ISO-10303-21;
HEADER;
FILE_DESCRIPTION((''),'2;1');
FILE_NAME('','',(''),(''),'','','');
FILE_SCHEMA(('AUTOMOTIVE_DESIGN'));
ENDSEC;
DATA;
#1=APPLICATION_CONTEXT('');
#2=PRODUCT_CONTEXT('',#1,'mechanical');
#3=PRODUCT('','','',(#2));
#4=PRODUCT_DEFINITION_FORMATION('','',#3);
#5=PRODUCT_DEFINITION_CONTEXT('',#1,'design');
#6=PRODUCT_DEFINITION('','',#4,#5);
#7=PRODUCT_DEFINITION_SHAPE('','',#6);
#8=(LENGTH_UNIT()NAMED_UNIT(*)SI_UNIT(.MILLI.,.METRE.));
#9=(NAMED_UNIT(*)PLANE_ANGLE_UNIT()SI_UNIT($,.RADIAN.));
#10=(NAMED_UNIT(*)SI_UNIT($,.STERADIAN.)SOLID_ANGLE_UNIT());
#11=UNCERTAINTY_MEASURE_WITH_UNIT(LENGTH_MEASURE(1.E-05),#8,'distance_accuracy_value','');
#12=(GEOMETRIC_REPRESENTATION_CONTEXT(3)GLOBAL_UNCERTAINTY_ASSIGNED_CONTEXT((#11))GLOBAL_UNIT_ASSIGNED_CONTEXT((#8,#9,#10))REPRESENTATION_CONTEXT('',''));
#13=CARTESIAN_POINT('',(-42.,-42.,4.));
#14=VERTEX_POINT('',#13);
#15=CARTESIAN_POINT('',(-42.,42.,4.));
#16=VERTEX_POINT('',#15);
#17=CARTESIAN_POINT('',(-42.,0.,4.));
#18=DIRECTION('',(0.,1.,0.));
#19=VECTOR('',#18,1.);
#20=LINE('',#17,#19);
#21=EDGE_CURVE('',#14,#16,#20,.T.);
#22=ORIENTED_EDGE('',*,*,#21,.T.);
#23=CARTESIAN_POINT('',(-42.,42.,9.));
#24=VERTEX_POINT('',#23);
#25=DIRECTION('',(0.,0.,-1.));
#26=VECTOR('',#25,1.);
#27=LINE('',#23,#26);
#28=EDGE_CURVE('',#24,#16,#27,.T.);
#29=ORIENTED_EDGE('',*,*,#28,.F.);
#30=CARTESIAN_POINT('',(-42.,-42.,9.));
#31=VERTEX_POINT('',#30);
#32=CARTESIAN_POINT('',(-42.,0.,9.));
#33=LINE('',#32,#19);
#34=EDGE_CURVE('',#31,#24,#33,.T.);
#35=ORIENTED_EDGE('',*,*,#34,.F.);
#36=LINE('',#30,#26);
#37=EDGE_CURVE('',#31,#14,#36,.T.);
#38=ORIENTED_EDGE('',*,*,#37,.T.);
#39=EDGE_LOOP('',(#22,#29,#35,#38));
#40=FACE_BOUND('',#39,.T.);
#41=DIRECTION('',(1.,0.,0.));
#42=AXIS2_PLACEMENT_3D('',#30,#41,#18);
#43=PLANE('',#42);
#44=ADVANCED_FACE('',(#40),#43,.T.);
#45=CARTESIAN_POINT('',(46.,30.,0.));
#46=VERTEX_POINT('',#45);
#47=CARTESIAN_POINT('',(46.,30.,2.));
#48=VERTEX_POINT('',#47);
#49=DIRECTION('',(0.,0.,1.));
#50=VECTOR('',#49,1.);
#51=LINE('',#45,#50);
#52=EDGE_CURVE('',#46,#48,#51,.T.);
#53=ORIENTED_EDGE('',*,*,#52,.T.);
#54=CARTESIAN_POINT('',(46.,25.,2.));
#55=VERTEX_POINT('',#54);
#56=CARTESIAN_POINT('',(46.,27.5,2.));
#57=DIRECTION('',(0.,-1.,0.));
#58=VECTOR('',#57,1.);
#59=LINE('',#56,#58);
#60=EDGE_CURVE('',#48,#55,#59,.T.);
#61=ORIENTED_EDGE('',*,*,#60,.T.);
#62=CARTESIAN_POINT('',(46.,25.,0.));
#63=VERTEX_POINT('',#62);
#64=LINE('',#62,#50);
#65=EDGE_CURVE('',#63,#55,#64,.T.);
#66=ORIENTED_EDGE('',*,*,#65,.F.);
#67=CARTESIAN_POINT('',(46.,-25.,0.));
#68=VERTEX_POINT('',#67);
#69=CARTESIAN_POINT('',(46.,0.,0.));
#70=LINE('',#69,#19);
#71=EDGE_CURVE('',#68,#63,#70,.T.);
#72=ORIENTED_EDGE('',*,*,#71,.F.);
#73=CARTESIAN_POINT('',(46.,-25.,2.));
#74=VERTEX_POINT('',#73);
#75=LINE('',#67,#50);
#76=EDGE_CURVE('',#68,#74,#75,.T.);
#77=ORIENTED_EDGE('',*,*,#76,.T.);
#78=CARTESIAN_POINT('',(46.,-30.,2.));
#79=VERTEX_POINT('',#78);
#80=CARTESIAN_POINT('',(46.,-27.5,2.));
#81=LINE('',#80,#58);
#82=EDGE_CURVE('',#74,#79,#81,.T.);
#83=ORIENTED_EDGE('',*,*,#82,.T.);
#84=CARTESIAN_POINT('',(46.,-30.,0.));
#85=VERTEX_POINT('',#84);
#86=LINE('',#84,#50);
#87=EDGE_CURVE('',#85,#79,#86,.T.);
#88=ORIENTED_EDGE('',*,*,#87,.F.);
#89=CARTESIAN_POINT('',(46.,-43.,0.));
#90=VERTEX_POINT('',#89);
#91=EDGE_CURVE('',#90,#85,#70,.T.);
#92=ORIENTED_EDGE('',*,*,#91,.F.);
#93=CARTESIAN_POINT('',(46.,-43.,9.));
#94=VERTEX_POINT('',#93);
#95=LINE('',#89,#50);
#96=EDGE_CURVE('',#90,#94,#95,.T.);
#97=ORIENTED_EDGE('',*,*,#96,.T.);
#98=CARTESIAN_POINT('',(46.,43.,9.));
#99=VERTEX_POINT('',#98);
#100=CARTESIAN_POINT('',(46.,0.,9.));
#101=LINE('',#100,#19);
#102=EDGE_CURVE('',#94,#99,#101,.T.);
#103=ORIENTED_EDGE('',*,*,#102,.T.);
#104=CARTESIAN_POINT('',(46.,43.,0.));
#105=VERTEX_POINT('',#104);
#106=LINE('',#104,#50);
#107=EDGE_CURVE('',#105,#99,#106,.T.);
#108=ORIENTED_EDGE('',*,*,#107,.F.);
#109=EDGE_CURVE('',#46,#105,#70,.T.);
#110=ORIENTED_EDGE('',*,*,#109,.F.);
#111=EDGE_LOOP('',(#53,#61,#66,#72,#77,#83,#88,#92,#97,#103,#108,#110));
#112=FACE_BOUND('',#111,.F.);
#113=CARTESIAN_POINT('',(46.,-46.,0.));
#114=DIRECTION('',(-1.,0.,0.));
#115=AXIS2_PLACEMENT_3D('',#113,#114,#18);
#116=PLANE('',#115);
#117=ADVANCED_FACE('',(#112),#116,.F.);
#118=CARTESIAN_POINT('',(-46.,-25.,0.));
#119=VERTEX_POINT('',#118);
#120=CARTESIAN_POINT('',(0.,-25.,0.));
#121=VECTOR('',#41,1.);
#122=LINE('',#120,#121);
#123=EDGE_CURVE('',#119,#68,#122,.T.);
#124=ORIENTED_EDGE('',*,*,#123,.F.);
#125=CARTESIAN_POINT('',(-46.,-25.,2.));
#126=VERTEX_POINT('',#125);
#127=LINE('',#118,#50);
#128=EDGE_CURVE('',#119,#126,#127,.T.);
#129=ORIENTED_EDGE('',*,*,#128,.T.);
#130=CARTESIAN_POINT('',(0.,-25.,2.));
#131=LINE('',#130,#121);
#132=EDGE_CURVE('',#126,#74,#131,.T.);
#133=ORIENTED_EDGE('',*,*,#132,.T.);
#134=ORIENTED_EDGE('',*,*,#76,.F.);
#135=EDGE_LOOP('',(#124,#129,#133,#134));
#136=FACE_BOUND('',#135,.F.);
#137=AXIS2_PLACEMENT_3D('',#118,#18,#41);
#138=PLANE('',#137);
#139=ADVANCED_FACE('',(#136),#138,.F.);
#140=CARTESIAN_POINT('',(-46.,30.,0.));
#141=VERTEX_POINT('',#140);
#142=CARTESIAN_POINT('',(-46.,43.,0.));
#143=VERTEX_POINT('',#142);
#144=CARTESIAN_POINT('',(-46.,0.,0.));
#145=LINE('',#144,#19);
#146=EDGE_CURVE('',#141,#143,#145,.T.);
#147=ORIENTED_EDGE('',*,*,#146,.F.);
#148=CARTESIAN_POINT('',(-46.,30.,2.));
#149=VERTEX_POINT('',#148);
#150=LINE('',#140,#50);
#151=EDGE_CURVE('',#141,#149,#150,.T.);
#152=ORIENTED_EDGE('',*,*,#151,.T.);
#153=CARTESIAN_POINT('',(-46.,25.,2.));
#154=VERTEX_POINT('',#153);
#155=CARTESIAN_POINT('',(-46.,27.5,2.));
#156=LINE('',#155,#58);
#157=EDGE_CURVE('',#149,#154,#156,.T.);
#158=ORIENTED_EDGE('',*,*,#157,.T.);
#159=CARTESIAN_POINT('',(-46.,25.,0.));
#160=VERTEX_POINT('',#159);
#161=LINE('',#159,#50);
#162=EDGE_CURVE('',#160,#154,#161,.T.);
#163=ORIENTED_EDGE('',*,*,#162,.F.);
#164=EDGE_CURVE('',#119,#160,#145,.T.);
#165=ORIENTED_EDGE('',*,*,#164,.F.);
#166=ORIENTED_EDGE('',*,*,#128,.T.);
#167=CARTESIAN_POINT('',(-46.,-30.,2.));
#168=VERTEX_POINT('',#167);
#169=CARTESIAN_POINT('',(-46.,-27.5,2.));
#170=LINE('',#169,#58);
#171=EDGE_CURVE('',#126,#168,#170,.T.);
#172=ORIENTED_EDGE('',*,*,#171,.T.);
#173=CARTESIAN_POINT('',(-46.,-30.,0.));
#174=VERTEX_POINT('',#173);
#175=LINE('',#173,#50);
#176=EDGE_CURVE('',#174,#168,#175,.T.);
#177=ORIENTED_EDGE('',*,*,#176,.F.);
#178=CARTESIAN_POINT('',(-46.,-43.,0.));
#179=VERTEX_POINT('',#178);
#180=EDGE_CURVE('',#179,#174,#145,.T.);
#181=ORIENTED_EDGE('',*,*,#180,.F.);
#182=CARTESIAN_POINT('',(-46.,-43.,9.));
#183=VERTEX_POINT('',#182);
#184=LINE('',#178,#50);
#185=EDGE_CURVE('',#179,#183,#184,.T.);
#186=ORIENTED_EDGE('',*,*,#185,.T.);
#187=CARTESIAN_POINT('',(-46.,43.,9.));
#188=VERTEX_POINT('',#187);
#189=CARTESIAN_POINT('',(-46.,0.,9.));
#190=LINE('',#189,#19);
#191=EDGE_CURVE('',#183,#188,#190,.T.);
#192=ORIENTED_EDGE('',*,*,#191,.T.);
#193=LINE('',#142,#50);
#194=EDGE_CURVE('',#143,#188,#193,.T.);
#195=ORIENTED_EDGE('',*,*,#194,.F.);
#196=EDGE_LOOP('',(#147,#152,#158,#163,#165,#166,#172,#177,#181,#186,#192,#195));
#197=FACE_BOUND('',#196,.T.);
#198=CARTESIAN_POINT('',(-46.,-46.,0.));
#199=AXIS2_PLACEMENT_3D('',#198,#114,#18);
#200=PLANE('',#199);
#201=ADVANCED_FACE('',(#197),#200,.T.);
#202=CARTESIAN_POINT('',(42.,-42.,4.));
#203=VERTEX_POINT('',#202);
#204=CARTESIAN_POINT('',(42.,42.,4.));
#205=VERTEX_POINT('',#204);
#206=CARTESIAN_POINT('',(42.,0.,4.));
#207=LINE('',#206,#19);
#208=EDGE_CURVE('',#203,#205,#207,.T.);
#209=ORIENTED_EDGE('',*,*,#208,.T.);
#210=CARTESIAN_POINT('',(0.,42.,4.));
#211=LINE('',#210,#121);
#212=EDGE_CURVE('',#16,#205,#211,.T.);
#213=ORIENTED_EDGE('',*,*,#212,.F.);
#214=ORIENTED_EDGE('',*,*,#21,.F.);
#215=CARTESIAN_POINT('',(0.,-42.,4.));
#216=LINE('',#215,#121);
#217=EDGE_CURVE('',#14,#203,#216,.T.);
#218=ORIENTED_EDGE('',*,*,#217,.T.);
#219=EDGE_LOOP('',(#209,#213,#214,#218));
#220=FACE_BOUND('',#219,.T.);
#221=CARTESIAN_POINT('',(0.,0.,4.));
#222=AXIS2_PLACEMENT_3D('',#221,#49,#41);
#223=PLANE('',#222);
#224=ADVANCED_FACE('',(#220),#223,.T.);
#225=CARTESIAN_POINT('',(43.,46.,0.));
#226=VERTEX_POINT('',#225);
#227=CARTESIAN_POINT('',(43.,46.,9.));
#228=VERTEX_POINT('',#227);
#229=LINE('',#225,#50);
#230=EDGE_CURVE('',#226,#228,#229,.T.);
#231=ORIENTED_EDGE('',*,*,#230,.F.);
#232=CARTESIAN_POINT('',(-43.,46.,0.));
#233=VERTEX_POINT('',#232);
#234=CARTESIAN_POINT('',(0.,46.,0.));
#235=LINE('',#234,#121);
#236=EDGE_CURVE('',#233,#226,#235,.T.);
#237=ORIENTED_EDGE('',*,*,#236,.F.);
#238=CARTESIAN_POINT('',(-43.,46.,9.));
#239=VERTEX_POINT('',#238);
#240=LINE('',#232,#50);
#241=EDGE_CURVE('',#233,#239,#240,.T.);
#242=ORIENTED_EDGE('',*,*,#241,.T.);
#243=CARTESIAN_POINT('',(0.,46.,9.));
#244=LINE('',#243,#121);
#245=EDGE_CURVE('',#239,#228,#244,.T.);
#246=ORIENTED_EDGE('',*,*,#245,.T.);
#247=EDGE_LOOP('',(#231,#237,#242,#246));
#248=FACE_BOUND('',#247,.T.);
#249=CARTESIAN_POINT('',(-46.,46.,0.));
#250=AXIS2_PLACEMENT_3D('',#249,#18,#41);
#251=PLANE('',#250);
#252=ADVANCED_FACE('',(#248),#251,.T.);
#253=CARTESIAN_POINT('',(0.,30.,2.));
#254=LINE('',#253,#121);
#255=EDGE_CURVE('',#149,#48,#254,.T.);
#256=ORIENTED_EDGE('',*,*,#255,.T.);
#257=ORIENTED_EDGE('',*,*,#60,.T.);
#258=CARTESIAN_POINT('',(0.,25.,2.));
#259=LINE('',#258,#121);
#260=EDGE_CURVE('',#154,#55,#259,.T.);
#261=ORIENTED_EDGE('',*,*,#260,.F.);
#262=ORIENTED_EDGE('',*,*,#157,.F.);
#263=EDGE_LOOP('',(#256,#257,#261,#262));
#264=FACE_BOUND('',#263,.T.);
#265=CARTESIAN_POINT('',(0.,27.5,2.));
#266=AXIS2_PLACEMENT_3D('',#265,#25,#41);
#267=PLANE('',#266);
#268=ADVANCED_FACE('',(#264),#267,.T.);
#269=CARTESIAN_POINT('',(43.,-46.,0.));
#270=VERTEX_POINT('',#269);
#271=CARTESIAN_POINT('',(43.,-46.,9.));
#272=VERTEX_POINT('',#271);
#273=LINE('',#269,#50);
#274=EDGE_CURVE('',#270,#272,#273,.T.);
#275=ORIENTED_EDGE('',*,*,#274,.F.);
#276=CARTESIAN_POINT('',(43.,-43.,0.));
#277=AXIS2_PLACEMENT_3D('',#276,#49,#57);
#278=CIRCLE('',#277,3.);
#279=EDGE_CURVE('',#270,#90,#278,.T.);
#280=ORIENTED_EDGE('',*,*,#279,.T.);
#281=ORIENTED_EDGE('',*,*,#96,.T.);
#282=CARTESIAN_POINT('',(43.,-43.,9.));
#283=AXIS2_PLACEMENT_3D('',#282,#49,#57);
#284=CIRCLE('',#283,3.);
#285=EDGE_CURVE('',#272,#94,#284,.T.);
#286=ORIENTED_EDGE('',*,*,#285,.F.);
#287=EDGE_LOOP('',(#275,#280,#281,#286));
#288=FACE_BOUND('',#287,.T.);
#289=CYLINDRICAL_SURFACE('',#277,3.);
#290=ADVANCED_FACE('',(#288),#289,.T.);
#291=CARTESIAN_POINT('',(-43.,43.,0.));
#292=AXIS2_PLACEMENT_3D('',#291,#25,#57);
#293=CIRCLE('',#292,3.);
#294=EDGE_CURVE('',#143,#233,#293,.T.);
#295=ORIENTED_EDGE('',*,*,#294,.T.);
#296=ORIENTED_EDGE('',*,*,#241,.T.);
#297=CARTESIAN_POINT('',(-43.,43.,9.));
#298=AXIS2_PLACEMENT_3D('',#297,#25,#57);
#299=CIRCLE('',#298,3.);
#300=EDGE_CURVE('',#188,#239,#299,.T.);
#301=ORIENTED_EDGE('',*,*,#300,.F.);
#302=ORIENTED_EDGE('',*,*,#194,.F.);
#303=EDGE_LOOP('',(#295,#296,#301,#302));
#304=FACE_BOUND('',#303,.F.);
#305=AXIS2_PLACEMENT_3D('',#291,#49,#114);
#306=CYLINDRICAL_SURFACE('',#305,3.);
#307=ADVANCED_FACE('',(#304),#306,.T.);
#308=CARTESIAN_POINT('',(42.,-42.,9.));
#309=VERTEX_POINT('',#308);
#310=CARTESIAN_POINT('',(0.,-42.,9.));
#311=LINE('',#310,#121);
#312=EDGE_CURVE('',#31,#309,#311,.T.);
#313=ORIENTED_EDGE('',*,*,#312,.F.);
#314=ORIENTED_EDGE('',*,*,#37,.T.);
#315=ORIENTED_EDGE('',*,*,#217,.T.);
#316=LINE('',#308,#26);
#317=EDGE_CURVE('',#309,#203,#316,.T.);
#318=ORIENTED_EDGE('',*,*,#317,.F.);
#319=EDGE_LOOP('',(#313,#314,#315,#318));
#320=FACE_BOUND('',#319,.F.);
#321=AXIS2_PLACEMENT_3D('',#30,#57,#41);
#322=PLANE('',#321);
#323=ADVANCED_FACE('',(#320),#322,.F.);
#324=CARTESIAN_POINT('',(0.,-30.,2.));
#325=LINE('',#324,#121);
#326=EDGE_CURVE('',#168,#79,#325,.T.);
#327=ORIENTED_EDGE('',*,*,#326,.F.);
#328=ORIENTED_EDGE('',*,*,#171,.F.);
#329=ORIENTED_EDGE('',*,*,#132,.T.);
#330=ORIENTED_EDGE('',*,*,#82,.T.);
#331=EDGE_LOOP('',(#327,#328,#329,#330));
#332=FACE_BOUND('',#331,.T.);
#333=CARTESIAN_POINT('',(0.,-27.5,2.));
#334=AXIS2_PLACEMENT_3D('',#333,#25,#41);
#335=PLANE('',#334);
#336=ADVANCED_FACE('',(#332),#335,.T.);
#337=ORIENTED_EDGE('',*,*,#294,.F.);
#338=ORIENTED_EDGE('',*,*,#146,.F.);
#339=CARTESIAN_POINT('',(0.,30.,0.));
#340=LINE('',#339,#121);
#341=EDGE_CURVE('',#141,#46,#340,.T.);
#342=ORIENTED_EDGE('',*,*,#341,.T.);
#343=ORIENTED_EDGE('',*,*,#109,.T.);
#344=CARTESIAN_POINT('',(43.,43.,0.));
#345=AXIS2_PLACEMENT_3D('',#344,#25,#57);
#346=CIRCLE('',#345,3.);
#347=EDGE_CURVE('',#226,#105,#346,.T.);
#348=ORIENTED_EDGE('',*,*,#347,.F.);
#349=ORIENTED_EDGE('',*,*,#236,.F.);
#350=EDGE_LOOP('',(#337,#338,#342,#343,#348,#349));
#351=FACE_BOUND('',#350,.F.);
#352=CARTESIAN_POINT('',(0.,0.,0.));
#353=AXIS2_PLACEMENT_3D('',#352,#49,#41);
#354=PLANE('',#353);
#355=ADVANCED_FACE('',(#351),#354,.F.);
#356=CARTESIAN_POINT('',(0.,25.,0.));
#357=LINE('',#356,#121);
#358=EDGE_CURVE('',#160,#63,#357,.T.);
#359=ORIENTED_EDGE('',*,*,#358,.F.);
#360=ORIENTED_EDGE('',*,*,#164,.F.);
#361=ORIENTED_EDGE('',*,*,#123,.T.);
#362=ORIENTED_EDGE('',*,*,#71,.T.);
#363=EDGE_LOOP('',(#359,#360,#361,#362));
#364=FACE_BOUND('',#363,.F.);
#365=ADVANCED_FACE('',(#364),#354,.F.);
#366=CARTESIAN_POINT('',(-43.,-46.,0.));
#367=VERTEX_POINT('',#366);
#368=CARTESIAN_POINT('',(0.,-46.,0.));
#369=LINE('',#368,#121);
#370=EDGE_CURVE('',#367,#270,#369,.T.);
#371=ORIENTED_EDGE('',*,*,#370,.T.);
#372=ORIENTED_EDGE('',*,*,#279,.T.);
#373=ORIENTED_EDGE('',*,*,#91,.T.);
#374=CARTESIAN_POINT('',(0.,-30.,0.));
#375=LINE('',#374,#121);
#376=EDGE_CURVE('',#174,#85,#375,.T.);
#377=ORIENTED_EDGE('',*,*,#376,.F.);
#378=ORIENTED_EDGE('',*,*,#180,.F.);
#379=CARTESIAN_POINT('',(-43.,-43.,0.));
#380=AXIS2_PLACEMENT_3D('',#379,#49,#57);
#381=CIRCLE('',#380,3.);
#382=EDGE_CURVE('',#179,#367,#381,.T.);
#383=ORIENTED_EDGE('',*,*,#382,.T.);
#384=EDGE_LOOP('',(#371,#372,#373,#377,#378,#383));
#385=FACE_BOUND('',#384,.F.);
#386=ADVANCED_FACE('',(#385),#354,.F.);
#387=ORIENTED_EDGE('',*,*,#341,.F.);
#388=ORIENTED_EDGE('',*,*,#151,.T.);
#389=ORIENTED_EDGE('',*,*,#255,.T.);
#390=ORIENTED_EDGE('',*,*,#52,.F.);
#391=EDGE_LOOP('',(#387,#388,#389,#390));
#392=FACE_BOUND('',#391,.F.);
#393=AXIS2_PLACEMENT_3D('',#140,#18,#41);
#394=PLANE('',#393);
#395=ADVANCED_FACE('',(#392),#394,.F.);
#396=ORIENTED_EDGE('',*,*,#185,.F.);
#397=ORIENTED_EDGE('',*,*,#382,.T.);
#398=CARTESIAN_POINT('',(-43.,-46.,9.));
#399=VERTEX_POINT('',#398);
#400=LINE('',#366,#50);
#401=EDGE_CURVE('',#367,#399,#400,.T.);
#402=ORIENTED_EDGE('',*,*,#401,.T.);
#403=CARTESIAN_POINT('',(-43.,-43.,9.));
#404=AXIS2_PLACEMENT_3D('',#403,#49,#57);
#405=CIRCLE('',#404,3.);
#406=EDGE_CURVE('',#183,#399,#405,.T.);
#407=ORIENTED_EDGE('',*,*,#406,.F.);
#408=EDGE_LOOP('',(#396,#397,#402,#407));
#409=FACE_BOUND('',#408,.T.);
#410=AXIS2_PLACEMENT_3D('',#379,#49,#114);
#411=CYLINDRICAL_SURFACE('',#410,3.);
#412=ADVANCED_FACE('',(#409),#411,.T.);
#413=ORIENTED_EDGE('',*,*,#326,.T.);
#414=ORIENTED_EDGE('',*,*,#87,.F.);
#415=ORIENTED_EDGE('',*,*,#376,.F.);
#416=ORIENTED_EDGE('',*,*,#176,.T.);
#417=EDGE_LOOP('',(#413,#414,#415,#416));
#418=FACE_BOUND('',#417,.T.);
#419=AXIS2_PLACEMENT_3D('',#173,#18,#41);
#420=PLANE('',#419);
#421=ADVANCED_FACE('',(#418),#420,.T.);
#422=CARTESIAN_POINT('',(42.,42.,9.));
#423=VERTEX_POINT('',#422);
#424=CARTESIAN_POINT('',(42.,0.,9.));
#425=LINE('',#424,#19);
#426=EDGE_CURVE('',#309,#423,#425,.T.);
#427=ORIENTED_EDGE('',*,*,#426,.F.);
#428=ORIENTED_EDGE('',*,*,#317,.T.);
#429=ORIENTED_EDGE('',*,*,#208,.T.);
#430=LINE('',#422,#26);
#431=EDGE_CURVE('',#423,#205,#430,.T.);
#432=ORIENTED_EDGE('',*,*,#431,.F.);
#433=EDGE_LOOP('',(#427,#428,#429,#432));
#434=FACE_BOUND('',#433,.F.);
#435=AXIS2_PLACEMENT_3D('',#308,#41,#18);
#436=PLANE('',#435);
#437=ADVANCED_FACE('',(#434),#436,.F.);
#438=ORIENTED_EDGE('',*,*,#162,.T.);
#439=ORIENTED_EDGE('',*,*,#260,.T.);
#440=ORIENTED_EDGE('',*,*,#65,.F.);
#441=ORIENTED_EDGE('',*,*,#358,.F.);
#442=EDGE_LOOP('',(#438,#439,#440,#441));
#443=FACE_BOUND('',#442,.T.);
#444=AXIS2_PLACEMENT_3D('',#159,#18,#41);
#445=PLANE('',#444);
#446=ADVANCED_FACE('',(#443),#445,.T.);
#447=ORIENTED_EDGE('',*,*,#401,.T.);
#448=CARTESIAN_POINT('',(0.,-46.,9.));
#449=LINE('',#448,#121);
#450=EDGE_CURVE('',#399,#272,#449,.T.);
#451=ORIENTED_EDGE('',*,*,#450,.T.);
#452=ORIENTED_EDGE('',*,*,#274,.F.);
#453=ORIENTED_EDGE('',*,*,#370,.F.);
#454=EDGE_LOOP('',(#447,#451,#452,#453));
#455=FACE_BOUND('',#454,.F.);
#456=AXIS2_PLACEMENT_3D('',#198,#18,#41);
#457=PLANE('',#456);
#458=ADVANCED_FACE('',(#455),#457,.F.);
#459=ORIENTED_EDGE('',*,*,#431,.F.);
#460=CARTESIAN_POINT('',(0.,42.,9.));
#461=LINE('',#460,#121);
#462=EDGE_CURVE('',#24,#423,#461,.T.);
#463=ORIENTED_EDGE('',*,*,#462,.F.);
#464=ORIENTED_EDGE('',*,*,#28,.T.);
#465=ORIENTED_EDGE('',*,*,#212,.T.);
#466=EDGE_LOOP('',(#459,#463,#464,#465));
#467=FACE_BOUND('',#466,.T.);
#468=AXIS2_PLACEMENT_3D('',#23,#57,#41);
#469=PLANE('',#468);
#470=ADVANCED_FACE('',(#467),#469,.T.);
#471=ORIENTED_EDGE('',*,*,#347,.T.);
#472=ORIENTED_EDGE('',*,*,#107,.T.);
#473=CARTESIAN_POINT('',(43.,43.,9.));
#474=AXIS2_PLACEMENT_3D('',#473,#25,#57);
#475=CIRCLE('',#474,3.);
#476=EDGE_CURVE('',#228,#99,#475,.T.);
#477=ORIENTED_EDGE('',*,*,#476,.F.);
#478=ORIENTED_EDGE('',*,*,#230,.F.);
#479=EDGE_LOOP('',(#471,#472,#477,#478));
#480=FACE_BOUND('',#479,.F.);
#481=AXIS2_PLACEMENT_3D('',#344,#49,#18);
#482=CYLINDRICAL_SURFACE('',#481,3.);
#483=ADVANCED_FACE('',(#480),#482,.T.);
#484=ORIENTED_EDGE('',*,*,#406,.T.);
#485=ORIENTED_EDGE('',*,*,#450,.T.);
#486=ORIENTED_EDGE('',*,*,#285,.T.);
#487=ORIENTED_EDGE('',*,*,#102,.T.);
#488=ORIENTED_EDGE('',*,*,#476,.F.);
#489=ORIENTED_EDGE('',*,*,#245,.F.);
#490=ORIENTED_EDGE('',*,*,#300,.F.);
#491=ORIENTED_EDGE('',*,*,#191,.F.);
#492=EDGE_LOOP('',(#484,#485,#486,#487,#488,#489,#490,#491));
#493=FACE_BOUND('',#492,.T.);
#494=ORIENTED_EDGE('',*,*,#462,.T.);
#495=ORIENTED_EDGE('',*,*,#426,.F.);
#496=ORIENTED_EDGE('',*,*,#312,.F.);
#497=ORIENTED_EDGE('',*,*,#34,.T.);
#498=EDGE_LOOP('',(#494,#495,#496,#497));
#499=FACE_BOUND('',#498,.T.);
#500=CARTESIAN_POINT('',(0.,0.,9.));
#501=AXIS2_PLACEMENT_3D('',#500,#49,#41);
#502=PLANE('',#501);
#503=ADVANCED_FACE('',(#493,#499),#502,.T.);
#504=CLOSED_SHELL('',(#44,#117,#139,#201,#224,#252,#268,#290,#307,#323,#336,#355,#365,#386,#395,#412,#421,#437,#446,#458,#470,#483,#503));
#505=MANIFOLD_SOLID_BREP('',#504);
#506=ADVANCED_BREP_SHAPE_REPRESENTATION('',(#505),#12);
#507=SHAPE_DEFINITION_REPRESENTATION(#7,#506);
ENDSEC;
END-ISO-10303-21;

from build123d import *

# Parameters (mm, degrees)
SKETCH_W        = 92
SKETCH_H        = 92
PAD_DEPTH       = 9
SKETCH001_W     = 84
SKETCH001_H     = 84
POCKET_DEPTH    = 5
FILLET_R        = 3
SKETCH002_W     = 92
SKETCH002_H     = 5
POCKET001_DEPTH = 2


with BuildPart() as part:
    # Sketch → Pad (new body)
    with BuildSketch(Plane.XY):
        Rectangle(SKETCH_W, SKETCH_H)
    extrude(amount=PAD_DEPTH)

    # Sketch001 (on Face6 of Pad) → Pocket (cut)
    with BuildSketch(Plane.XY.offset(9)):
        Rectangle(SKETCH001_W, SKETCH001_H)
    extrude(amount=-POCKET_DEPTH, mode=Mode.SUBTRACT)

    # Fillet
    fillet_edges = [part.edges().sort_by_distance(p)[0] for p in [
        (-46, 46, 4.5),
        (-46, -46, 4.5),
        (46, -46, 4.5),
        (46, 46, 4.5),
    ]]
    fillet(fillet_edges, radius=FILLET_R)

    # Sketch002 (on Face2 of Fillet) → Pocket001 (cut)
    with BuildSketch(Plane(origin=(0, 0, 0), x_dir=(1, 0, 0), z_dir=(0, 0, -1))):
        with Locations((0, 27.5)):
            Rectangle(SKETCH002_W, SKETCH002_H)
        with Locations((0, -27.5)):
            Rectangle(SKETCH002_W, SKETCH002_H)
    extrude(amount=-POCKET001_DEPTH, mode=Mode.SUBTRACT)


solid = part.part
